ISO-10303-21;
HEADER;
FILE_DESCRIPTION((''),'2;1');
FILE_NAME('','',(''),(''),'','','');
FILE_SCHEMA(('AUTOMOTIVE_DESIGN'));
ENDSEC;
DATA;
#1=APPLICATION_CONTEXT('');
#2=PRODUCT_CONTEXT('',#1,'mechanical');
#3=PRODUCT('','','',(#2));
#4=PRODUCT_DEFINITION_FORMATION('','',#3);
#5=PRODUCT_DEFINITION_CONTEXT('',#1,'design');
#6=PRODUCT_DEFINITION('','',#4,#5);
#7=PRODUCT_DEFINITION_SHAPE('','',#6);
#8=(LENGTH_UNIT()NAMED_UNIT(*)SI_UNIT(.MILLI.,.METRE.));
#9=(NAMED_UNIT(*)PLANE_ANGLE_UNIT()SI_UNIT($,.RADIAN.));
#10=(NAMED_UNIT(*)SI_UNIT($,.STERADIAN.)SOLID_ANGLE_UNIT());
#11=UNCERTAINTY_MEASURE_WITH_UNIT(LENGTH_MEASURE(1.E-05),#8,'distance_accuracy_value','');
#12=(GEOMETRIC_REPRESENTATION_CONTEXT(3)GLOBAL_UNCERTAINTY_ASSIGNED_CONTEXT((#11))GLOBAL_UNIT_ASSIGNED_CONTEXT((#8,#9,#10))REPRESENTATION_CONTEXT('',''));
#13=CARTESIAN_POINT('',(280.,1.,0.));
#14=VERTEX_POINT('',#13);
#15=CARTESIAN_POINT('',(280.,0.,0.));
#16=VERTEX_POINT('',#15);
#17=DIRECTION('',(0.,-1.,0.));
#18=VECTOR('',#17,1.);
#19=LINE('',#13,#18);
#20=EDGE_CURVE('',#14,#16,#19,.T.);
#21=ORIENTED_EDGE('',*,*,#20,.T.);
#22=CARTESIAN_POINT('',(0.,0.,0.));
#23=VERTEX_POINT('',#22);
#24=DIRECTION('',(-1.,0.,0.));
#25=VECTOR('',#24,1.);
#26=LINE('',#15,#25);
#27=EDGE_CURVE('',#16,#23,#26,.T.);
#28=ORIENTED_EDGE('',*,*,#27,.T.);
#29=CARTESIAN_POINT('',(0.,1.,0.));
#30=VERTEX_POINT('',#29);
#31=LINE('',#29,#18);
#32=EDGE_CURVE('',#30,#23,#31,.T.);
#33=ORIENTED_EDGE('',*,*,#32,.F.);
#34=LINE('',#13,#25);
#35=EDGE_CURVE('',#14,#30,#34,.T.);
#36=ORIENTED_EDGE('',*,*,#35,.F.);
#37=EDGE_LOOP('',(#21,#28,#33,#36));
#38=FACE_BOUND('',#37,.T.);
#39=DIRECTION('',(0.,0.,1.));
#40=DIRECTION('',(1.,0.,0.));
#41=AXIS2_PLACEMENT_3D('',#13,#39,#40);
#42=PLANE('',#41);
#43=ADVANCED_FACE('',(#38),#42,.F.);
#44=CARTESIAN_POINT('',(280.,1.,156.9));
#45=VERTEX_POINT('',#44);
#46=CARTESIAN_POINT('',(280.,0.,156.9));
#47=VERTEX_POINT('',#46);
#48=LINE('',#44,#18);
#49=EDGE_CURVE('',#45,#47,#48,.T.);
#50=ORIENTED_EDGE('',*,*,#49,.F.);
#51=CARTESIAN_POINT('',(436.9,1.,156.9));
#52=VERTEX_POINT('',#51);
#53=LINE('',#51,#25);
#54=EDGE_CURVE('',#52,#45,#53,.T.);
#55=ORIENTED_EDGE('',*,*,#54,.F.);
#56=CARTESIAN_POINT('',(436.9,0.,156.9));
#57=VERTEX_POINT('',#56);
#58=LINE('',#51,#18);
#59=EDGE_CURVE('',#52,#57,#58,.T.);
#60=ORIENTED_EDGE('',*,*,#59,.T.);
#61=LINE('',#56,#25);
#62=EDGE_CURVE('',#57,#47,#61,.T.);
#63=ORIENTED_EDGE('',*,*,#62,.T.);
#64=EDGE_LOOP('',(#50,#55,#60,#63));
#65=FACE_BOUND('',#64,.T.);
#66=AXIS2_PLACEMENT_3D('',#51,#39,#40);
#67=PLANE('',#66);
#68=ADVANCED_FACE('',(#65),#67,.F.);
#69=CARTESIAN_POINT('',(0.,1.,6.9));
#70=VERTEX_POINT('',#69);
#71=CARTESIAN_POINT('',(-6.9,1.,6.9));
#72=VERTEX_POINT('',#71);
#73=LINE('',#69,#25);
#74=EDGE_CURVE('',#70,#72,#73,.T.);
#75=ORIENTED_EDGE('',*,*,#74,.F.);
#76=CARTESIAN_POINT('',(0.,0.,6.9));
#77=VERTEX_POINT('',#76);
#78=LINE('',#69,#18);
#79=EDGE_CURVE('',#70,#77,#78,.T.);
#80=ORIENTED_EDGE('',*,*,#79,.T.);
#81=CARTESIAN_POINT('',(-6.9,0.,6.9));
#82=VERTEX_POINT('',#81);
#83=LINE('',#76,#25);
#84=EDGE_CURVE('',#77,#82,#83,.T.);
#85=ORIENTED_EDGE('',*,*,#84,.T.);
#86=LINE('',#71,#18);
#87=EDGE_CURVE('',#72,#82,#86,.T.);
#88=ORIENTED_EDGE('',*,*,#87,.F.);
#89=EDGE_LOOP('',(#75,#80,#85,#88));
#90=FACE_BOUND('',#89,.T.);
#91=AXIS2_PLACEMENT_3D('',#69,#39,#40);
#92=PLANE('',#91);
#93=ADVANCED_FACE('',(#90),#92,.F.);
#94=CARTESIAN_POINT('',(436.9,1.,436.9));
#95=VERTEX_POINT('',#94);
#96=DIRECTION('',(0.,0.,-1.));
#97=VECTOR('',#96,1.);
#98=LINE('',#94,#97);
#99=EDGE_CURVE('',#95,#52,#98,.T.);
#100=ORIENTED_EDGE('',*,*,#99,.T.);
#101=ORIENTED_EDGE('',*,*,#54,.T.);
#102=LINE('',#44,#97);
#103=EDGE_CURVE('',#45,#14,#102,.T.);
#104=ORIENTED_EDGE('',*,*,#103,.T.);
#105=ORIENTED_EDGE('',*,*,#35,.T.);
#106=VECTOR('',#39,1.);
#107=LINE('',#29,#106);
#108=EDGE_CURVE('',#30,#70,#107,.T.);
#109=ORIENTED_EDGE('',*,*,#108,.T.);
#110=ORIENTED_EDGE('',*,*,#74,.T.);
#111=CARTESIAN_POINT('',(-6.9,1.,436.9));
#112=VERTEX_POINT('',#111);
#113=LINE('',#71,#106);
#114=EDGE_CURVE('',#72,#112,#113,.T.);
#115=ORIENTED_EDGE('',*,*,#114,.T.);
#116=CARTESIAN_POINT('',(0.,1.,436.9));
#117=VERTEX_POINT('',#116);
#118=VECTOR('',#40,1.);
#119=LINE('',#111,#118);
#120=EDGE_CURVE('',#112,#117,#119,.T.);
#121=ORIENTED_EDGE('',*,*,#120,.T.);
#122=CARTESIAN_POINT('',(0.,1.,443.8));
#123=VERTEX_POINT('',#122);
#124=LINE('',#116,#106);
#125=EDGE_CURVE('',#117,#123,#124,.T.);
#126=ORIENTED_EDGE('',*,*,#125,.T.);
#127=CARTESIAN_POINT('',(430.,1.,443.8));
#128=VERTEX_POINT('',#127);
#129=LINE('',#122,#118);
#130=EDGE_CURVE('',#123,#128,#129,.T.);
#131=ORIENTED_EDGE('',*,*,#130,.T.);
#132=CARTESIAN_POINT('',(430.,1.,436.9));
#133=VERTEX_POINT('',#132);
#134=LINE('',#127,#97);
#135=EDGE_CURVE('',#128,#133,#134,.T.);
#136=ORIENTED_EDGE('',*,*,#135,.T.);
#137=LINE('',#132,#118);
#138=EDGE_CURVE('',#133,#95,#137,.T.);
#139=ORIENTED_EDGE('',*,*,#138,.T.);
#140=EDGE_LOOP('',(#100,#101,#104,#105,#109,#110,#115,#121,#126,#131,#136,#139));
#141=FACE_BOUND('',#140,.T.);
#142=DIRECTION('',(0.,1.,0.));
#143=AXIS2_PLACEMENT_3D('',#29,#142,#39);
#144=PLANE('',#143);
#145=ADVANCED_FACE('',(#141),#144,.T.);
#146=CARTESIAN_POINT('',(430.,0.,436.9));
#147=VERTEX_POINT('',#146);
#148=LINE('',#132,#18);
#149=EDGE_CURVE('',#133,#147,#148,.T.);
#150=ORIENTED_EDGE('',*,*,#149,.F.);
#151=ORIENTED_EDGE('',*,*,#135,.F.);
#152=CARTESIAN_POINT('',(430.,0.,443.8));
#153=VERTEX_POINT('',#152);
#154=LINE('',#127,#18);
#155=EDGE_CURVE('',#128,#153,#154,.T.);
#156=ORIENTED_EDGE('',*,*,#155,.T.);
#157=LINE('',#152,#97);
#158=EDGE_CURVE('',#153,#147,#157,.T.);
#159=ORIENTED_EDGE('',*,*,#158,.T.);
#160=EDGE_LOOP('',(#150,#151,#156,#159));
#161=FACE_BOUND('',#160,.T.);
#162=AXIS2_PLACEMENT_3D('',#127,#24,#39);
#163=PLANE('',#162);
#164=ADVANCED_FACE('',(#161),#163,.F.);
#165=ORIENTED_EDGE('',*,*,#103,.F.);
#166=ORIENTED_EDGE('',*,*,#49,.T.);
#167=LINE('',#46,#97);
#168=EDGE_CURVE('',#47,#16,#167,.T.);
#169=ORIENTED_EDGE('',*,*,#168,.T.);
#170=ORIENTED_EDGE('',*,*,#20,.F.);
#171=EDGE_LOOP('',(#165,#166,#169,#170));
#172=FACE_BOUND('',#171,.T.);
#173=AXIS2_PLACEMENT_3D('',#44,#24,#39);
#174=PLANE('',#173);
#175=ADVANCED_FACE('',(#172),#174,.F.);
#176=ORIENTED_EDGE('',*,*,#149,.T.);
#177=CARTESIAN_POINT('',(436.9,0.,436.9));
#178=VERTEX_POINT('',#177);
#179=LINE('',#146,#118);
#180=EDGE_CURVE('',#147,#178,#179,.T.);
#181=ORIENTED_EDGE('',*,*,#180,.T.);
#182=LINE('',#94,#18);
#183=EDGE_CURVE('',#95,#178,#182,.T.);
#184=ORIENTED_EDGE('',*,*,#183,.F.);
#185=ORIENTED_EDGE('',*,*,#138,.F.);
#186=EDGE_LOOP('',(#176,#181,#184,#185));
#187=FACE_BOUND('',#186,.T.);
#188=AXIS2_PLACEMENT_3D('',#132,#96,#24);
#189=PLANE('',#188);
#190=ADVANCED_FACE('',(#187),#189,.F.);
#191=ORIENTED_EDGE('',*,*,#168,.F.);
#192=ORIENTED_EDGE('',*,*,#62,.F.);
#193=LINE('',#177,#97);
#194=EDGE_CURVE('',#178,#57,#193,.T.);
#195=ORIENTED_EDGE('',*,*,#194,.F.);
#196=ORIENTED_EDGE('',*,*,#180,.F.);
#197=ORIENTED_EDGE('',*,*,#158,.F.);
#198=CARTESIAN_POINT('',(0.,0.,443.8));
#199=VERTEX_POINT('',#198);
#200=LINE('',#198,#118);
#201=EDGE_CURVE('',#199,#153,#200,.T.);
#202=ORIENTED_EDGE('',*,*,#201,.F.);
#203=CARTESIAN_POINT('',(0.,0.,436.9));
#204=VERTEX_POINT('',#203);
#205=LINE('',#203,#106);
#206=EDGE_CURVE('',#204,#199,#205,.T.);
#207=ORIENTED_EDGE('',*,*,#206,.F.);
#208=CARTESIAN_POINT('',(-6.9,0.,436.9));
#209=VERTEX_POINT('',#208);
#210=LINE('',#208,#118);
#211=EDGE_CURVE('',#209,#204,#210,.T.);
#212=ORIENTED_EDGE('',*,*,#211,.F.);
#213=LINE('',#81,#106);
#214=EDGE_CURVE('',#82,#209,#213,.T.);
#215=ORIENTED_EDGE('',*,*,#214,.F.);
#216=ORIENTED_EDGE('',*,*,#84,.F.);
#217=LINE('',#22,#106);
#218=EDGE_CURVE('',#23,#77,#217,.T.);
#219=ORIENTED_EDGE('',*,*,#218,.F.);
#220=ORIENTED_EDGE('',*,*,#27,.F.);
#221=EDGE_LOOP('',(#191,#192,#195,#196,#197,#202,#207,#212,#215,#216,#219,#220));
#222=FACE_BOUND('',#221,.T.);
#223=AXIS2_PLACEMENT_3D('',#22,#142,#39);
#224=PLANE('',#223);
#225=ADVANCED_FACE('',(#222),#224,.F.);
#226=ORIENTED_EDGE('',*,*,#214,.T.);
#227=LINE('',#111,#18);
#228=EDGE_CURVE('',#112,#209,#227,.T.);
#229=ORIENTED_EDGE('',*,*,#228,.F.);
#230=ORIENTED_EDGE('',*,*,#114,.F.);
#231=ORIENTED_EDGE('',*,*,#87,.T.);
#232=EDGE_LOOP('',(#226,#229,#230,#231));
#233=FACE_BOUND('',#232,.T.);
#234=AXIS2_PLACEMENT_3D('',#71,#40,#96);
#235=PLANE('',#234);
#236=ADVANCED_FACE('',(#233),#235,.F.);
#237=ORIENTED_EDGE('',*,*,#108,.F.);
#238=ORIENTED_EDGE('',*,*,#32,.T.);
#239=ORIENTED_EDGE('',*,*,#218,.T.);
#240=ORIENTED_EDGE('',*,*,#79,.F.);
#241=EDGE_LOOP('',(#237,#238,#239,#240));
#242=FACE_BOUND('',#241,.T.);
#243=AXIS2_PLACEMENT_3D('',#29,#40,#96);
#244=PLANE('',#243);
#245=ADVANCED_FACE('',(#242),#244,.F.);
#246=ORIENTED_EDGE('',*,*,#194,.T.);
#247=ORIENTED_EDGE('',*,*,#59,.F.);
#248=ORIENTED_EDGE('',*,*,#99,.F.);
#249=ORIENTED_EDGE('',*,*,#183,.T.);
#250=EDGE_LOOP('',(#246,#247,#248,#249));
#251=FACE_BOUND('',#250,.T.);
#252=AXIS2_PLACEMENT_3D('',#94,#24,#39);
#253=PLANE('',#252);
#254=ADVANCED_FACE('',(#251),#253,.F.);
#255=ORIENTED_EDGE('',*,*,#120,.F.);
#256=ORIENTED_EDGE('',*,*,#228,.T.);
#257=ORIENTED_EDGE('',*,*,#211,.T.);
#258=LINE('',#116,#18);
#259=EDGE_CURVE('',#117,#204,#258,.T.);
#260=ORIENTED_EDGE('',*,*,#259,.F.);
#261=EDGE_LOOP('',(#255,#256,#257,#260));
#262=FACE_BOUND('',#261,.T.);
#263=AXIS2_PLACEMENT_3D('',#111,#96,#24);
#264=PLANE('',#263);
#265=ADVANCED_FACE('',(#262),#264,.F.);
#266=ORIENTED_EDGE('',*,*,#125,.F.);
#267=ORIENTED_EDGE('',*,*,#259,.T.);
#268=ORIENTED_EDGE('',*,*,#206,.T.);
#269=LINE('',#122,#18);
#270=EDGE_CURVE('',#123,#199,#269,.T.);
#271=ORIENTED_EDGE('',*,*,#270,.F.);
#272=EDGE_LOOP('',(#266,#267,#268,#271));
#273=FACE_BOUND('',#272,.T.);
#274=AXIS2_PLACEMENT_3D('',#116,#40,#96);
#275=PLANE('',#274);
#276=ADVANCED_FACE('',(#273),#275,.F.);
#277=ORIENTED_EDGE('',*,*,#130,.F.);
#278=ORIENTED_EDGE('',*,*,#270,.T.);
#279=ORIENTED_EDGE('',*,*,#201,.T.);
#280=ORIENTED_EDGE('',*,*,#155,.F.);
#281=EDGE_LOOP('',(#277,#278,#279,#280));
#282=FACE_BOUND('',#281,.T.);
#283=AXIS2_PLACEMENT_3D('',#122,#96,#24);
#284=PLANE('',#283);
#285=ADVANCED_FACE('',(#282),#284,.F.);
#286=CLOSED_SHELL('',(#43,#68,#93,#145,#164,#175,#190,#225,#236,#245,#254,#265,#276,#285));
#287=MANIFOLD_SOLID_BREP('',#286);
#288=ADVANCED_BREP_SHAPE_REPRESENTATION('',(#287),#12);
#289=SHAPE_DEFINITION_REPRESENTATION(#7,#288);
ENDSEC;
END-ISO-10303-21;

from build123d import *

# Parameters (mm, degrees)
EXTRUDE_1_DEPTH = 1


with BuildPart() as part:
    # 스케치1 → 보스-돌출1 (new body)
    with BuildSketch(Plane(origin=(0, 0, 0), x_dir=(1, 0, 0), z_dir=(0, 1, 0))):
        Polygon((0, 0), (0, -6.9), (-6.9, -6.9), (-6.9, -436.9), (0, -436.9), (0, -443.8), (430, -443.8), (430, -436.9), (436.9, -436.9), (436.9, -156.9), (280, -156.9), (280, 0), align=None)
    extrude(amount=EXTRUDE_1_DEPTH)


solid = part.part
